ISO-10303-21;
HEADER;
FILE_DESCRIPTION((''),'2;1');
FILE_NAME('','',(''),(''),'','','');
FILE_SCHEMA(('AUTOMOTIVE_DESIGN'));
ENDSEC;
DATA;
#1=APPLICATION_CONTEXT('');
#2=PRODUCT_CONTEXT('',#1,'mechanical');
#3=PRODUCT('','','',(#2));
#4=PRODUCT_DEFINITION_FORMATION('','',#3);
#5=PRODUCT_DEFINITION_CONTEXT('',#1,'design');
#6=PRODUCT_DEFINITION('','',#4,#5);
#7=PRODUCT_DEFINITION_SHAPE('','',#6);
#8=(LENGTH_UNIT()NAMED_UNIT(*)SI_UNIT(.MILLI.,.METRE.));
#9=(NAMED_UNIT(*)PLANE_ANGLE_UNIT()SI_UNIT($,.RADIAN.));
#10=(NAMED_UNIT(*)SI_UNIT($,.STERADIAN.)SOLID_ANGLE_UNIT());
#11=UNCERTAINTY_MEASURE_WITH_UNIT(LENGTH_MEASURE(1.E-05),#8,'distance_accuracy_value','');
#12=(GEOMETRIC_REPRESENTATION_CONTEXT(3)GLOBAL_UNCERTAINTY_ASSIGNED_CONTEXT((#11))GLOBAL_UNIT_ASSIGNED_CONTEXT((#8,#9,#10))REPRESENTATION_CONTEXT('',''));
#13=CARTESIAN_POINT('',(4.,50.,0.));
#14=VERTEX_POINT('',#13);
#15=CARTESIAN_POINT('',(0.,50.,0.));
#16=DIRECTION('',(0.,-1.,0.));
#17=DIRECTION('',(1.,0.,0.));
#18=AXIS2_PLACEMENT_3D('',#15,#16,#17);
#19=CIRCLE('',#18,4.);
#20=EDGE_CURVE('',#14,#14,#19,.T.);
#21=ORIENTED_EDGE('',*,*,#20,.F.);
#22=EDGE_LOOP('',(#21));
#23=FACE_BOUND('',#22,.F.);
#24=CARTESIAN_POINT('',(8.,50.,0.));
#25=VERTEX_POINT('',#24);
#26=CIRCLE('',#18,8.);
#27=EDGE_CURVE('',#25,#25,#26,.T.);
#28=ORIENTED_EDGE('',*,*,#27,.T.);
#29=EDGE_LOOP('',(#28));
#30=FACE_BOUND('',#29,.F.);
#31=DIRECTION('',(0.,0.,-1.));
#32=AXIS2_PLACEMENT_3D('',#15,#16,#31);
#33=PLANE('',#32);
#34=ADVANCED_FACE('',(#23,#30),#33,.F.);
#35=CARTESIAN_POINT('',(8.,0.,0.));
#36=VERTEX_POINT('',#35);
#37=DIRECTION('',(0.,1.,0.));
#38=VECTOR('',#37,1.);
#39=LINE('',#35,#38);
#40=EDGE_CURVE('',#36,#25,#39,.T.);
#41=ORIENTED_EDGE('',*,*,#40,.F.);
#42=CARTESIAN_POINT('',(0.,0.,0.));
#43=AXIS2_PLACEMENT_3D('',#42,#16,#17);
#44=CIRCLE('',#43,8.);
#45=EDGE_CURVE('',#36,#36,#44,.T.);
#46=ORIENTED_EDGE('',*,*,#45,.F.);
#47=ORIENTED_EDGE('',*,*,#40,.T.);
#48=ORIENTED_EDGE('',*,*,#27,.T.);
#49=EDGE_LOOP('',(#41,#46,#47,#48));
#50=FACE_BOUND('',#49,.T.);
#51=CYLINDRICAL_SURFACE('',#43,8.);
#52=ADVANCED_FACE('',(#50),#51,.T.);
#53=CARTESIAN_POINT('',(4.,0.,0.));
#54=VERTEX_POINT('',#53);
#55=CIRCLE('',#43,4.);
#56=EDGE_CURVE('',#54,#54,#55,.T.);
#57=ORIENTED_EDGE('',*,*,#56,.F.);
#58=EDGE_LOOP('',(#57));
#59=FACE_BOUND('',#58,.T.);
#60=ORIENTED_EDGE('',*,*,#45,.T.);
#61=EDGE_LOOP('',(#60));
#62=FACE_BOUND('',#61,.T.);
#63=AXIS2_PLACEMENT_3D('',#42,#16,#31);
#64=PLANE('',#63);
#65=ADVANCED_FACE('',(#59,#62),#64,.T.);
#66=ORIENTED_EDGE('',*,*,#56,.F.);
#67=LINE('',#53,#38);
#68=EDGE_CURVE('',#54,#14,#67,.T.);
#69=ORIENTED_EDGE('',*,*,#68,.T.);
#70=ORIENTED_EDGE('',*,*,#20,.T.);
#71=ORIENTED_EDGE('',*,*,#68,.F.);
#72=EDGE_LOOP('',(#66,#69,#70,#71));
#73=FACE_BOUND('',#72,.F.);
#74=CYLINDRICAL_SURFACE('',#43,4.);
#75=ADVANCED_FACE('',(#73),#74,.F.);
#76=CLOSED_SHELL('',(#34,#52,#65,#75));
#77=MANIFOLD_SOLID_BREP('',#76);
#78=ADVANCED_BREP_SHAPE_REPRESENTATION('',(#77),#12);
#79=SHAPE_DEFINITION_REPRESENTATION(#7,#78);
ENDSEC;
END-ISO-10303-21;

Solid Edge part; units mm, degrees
sketch "Sketch1" plane through (0, 0, 0) normal (0, -1, 0) x (1, 0, 0)
  circle A0 centre (0, 0) radius 8
  circle A1 centre (0, 0) radius 4
extrude "Protrusion1" add sketch "Sketch1" against normal blind 50
properties part number "H02"
